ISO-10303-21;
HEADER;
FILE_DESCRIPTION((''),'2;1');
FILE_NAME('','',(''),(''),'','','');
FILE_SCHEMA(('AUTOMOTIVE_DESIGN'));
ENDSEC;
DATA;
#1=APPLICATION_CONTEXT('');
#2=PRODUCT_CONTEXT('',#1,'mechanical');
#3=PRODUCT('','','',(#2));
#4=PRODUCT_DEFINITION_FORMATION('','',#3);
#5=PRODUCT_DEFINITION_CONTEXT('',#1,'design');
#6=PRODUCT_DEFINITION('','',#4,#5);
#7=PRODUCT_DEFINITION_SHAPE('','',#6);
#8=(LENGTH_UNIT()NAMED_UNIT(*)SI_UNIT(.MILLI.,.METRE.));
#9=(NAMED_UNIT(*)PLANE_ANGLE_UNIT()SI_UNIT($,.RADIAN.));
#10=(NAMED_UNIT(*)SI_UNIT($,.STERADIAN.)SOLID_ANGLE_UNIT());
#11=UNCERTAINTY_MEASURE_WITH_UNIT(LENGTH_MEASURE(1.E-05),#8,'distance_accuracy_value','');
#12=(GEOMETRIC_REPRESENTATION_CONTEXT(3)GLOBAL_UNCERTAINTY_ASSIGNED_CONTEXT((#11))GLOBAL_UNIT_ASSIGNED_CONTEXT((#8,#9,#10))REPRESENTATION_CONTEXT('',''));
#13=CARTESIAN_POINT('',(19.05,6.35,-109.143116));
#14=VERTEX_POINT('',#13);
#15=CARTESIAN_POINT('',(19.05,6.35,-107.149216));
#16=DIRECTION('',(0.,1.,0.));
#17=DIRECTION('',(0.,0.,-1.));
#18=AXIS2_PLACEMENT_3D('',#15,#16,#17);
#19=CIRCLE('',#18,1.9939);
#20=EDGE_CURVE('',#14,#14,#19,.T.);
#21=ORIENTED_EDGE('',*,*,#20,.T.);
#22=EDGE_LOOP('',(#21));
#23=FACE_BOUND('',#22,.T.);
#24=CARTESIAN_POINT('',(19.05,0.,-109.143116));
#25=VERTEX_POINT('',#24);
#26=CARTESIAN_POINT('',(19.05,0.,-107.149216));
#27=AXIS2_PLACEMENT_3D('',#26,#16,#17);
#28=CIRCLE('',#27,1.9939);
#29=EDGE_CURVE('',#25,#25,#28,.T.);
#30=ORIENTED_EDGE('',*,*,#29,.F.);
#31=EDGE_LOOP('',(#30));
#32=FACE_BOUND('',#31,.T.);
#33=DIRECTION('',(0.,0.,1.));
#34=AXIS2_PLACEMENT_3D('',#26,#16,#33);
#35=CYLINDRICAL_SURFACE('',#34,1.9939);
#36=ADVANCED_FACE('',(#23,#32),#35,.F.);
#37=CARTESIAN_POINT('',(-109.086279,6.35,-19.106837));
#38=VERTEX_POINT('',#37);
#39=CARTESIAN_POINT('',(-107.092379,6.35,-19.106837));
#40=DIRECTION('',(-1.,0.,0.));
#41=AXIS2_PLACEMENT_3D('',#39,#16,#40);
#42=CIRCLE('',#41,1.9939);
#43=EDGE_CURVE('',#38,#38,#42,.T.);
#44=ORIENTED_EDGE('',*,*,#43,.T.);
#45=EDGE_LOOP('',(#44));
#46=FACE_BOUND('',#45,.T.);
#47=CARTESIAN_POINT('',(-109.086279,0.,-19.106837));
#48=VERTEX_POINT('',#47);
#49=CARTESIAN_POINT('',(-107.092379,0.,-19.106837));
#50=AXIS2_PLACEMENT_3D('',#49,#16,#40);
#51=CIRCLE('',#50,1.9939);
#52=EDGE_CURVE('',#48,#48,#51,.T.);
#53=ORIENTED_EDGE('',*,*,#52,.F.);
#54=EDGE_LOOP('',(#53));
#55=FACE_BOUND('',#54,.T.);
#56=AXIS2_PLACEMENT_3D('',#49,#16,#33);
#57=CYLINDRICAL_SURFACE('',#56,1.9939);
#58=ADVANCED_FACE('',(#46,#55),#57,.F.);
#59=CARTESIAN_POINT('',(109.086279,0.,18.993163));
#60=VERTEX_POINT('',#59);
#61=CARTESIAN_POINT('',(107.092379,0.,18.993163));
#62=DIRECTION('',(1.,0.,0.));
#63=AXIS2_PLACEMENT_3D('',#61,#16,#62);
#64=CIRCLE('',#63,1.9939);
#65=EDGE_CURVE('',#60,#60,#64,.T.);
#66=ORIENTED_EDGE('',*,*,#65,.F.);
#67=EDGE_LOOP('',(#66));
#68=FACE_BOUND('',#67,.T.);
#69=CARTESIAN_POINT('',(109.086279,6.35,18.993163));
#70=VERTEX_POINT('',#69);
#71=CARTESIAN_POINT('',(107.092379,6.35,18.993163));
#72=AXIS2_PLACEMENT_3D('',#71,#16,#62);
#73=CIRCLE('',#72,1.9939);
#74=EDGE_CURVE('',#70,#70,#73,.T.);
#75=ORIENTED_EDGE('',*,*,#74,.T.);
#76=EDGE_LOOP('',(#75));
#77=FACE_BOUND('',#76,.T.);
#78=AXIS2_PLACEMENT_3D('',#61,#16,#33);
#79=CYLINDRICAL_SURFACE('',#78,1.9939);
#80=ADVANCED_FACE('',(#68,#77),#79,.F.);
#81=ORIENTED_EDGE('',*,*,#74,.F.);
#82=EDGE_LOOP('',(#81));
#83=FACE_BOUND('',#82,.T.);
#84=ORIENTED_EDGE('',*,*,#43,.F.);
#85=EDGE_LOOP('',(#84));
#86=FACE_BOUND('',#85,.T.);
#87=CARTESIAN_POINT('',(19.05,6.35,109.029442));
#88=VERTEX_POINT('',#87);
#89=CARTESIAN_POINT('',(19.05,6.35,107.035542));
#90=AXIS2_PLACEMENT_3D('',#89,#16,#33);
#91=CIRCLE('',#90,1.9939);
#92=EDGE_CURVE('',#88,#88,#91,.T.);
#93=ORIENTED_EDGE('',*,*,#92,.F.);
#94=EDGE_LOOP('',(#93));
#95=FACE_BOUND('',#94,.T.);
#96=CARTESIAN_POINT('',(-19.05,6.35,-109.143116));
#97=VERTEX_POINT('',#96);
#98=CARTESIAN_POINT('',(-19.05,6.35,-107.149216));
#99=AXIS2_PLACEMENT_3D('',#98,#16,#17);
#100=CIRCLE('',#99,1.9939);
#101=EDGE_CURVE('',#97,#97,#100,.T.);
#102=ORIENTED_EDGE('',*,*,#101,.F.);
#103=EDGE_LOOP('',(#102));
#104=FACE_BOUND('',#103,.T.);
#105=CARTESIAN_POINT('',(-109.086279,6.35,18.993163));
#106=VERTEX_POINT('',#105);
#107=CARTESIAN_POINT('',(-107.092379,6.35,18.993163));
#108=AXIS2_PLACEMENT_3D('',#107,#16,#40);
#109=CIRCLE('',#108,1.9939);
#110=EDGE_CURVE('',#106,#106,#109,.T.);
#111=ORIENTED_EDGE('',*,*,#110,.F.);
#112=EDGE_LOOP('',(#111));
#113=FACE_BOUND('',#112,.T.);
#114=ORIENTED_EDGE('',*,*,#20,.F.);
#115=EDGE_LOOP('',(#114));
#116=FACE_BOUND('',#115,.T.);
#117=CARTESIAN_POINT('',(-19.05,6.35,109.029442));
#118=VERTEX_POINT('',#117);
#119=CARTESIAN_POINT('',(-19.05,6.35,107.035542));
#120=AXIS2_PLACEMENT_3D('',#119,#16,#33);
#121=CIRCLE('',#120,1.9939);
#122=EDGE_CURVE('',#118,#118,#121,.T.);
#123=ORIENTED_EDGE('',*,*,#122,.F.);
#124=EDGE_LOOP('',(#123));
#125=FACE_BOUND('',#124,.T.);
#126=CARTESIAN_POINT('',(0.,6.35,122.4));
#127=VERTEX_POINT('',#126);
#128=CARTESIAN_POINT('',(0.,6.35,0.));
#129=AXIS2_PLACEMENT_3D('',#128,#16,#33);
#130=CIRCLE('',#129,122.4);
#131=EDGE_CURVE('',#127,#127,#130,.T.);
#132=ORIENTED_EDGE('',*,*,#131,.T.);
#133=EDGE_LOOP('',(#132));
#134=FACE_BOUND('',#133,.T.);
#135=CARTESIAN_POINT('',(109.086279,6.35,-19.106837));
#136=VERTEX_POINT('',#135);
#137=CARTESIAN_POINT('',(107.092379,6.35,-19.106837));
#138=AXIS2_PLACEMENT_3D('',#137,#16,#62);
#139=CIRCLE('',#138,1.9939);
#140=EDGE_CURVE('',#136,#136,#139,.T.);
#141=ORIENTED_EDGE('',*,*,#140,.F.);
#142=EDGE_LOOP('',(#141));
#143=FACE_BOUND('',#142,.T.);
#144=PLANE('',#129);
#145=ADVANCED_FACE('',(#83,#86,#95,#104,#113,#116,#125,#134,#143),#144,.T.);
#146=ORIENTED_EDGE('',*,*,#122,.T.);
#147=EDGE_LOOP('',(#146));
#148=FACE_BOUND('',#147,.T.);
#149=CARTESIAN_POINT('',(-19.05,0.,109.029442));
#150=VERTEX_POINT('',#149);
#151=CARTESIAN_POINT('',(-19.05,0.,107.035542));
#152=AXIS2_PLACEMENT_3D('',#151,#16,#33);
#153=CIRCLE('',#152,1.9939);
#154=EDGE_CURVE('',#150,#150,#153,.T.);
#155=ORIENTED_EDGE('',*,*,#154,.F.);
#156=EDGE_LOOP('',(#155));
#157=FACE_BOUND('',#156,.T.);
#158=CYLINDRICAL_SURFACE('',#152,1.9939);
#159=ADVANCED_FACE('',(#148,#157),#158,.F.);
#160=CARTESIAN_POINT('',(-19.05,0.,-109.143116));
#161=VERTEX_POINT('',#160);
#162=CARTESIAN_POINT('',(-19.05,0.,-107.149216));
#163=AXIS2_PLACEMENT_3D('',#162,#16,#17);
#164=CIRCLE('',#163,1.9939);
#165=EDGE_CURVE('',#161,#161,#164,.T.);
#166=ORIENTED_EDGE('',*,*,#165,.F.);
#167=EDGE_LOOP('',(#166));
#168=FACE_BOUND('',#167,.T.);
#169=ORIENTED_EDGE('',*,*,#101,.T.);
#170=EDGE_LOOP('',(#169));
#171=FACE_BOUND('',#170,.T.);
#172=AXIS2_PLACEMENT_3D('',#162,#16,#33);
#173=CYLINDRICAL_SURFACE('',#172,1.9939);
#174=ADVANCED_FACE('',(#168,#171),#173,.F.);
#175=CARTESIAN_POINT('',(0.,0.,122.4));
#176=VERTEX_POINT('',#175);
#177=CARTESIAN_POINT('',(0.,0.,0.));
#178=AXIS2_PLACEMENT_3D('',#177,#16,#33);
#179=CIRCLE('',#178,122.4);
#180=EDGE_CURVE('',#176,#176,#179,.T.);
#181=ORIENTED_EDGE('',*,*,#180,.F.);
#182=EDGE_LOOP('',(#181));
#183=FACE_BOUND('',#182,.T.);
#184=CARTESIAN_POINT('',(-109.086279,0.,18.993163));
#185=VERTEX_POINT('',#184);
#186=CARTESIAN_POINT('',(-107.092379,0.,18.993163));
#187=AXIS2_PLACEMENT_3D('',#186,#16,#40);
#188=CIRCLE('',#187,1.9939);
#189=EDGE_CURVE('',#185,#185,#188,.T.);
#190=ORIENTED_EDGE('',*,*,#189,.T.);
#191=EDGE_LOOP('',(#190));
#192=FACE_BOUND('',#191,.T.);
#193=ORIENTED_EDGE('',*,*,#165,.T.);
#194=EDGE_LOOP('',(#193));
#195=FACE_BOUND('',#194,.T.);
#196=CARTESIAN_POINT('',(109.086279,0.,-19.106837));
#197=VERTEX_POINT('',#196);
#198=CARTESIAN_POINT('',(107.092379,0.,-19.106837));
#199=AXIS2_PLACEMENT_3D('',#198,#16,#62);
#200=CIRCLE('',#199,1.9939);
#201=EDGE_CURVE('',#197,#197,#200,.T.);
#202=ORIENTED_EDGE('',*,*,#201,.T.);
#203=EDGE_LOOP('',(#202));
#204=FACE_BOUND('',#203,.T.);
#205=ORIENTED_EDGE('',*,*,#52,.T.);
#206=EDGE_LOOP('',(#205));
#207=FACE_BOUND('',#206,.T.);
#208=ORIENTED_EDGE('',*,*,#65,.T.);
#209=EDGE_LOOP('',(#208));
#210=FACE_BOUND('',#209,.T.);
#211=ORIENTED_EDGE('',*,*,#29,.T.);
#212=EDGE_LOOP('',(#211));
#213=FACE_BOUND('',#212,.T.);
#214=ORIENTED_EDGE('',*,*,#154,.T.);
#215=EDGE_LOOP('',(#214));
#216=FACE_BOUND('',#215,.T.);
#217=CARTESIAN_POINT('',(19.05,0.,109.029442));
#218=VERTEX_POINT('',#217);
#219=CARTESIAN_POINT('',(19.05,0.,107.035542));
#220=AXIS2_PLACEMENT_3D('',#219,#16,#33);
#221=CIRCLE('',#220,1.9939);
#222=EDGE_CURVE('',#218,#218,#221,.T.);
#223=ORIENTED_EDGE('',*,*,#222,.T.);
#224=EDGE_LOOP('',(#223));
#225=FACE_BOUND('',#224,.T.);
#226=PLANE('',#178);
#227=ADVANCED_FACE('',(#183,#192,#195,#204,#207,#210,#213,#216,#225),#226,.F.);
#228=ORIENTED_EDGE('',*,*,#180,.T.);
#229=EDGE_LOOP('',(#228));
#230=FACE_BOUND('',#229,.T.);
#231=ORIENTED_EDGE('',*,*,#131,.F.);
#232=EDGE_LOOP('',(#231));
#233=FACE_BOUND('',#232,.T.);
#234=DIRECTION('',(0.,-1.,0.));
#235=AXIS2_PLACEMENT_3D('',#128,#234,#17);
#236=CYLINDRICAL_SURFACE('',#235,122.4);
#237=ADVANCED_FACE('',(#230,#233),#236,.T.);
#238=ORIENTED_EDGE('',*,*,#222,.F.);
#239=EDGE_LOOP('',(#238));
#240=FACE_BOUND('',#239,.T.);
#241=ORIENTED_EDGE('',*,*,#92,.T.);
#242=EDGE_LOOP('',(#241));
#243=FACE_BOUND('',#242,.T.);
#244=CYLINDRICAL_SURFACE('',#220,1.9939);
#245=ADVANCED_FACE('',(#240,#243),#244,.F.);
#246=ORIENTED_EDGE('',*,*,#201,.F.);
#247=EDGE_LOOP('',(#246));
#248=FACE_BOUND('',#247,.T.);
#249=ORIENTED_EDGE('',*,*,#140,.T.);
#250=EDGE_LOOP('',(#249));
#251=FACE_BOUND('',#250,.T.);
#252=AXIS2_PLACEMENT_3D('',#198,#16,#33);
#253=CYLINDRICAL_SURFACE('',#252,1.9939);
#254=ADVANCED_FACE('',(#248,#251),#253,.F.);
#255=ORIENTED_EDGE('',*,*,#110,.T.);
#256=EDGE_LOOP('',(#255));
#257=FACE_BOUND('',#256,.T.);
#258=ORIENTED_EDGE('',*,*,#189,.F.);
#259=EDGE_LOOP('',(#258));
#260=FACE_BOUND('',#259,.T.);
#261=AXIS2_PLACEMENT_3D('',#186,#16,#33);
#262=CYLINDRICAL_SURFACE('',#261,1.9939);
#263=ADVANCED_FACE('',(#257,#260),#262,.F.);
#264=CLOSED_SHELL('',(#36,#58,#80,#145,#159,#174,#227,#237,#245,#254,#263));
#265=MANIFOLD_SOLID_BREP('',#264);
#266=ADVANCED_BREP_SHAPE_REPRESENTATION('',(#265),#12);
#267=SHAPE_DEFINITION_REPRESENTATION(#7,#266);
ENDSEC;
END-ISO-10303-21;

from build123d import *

# Parameters (mm, degrees)
SKETCH1_R           = 122.4
BOSS_EXTRUDE1_DEPTH = 6.35
SKETCH2_R           = 1.9939
CUT_EXTRUDE1_DEPTH  = 174.216172744
CIRPATTERN1_COUNT   = 4


with BuildPart() as part:
    # Sketch1 → Boss-Extrude1 (new body)
    with BuildSketch(Plane(origin=(0, 0, 0), x_dir=(1, 0, 0), z_dir=(0, 1, 0))):
        with Locations(Location((0, 0, 0), (0, 0, 270))):
            Circle(SKETCH1_R)
    extrude(amount=BOSS_EXTRUDE1_DEPTH)

    # Sketch2 → Cut-Extrude1 (cut, through all)
    with BuildSketch(Plane(origin=(0, 6.35, 0), x_dir=(1, 0, 0), z_dir=(0, 1, 0))):
        with Locations(Location((-19.05, -107.035541925, 0), (0, 0, 270))):
            Circle(SKETCH2_R)
        with Locations(Location((19.05, -107.035541925, 0), (0, 0, 270))):
            Circle(SKETCH2_R)
    cut_extrude1 = extrude(amount=-CUT_EXTRUDE1_DEPTH, mode=Mode.SUBTRACT)

    # CirPattern1: Cut-Extrude1 ×4 about axis
    cirpattern1_axis = Axis((0, 0, -0.056837174), (0, 1, 0))
    for i in range(1, CIRPATTERN1_COUNT):
        add(cut_extrude1.rotate(cirpattern1_axis, i * 360 / CIRPATTERN1_COUNT), mode=Mode.SUBTRACT)


solid = part.part
